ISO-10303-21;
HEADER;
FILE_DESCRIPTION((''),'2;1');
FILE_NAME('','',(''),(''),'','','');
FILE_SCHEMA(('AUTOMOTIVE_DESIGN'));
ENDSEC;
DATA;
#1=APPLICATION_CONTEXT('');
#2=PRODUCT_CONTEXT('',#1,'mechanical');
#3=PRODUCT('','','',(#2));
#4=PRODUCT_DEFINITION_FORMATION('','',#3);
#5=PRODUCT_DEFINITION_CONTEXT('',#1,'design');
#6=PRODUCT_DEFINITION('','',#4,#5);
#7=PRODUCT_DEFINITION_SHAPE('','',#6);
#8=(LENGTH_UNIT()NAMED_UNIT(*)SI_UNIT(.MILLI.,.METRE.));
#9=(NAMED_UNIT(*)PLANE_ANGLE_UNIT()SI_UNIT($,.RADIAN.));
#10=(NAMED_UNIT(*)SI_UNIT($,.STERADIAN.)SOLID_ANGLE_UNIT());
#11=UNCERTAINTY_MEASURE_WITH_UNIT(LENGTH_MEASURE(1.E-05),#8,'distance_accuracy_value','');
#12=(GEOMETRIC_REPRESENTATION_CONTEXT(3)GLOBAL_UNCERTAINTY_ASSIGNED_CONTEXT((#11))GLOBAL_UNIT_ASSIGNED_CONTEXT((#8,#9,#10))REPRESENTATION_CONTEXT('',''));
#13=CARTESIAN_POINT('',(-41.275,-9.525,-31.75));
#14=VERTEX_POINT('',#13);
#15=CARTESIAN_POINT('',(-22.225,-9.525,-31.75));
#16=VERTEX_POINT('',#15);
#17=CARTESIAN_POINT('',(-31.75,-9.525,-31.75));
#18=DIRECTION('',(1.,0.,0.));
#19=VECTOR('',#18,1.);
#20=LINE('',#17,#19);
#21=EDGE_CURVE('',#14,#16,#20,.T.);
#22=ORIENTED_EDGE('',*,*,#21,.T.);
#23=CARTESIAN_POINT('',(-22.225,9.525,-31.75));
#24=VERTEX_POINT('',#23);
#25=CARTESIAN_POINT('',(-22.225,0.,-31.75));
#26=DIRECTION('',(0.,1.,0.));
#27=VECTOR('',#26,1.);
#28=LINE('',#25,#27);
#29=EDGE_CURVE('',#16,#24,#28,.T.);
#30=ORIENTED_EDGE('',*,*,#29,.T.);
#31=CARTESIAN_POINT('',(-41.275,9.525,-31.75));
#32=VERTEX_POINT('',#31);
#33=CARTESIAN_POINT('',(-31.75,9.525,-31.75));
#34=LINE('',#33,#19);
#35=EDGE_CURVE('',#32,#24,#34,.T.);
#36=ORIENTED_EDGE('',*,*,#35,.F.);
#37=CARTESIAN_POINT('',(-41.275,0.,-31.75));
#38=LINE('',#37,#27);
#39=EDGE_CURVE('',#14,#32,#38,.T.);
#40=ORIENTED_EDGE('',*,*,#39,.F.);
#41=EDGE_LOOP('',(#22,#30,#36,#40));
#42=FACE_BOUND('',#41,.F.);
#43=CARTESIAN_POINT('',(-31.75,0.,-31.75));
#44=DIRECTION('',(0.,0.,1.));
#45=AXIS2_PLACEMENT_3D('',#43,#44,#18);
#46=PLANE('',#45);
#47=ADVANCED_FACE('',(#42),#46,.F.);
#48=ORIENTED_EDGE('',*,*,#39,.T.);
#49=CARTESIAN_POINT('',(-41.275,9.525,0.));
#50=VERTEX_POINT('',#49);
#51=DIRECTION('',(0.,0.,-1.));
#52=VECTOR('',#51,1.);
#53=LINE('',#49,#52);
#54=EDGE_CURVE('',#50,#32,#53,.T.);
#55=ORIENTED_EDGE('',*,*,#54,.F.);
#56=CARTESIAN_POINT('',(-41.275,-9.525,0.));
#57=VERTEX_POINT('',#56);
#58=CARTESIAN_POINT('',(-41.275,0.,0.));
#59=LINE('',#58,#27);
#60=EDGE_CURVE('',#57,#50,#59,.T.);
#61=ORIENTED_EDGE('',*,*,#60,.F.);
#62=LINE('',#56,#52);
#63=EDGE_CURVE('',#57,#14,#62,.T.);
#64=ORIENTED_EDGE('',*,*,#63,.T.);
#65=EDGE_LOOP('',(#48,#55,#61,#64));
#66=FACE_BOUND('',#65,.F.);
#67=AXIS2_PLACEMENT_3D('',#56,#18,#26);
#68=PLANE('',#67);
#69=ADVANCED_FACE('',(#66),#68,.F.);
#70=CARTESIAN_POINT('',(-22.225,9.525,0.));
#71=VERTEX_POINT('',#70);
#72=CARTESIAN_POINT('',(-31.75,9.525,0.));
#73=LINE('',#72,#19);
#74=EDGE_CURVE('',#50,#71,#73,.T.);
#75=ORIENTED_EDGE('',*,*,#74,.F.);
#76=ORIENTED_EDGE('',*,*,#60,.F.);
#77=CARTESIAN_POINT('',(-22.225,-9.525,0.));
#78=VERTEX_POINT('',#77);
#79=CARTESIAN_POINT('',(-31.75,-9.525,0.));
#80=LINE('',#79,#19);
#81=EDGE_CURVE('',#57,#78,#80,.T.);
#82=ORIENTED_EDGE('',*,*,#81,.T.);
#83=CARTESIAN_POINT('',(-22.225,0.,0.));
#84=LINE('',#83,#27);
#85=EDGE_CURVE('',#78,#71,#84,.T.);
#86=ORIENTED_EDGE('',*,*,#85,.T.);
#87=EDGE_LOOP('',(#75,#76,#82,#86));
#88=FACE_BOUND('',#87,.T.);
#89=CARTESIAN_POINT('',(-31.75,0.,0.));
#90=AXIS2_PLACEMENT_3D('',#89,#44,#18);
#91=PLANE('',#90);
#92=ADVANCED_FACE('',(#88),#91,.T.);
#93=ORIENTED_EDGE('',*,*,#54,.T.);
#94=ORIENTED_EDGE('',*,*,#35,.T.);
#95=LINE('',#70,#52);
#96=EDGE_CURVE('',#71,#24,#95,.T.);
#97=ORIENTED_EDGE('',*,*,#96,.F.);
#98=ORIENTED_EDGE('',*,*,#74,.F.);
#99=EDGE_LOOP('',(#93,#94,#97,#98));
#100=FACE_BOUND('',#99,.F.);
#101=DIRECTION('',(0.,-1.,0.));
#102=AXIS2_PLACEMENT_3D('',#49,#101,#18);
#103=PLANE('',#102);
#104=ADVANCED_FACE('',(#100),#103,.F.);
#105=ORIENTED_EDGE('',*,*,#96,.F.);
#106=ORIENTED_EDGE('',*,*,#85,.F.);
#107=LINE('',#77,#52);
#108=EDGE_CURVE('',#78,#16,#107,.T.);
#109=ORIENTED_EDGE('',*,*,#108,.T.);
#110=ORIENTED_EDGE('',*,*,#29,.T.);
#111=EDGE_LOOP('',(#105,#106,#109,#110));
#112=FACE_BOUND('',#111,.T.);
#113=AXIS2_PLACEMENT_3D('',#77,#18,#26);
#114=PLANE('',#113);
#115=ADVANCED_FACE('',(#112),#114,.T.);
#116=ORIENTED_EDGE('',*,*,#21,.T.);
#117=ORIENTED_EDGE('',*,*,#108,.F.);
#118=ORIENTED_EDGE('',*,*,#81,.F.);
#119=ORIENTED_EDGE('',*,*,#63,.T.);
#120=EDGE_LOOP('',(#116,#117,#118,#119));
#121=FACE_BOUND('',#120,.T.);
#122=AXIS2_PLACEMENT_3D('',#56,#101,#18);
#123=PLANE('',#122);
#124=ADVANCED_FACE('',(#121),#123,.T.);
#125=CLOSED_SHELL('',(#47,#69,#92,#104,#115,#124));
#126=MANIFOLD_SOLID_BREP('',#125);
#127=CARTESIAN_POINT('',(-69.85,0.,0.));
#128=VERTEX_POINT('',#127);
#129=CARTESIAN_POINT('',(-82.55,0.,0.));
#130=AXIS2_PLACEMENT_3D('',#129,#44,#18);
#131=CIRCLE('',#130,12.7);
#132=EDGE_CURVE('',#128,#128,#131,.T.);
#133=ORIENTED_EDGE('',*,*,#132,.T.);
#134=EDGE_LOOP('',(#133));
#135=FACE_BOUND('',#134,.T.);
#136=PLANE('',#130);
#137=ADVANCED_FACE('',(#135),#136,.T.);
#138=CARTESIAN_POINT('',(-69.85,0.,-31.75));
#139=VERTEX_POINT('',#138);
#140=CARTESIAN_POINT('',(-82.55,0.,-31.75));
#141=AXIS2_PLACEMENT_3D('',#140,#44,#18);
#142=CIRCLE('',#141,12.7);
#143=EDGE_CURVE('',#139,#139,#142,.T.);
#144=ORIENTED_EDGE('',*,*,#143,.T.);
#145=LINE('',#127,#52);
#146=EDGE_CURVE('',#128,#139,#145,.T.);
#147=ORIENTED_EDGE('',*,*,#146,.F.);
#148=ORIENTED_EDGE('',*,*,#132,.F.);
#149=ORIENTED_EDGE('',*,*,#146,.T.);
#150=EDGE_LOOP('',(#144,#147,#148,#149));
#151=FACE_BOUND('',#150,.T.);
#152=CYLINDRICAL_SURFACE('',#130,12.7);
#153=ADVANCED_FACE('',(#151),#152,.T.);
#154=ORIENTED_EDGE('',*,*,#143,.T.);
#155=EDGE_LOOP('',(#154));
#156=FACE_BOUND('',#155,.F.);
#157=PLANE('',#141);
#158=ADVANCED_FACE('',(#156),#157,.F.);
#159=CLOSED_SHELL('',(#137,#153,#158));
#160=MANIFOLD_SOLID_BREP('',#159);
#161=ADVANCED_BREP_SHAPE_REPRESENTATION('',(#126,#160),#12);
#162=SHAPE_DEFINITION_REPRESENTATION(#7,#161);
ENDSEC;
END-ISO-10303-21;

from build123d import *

# Parameters (mm, degrees)
F0_R     = 12.7
F0_W     = 19.05
F0_H     = 19.05
F1_DEPTH = 31.75


with BuildPart() as f1:
    # F0 (on Top) → F1 (new body)
    with BuildSketch(Plane.XY):
        with Locations((-82.55, 0)):
            Circle(F0_R)
        with Locations((-31.75, 0)):
            Rectangle(F0_W, F0_H)
    extrude(amount=-F1_DEPTH)


solid = f1.part
